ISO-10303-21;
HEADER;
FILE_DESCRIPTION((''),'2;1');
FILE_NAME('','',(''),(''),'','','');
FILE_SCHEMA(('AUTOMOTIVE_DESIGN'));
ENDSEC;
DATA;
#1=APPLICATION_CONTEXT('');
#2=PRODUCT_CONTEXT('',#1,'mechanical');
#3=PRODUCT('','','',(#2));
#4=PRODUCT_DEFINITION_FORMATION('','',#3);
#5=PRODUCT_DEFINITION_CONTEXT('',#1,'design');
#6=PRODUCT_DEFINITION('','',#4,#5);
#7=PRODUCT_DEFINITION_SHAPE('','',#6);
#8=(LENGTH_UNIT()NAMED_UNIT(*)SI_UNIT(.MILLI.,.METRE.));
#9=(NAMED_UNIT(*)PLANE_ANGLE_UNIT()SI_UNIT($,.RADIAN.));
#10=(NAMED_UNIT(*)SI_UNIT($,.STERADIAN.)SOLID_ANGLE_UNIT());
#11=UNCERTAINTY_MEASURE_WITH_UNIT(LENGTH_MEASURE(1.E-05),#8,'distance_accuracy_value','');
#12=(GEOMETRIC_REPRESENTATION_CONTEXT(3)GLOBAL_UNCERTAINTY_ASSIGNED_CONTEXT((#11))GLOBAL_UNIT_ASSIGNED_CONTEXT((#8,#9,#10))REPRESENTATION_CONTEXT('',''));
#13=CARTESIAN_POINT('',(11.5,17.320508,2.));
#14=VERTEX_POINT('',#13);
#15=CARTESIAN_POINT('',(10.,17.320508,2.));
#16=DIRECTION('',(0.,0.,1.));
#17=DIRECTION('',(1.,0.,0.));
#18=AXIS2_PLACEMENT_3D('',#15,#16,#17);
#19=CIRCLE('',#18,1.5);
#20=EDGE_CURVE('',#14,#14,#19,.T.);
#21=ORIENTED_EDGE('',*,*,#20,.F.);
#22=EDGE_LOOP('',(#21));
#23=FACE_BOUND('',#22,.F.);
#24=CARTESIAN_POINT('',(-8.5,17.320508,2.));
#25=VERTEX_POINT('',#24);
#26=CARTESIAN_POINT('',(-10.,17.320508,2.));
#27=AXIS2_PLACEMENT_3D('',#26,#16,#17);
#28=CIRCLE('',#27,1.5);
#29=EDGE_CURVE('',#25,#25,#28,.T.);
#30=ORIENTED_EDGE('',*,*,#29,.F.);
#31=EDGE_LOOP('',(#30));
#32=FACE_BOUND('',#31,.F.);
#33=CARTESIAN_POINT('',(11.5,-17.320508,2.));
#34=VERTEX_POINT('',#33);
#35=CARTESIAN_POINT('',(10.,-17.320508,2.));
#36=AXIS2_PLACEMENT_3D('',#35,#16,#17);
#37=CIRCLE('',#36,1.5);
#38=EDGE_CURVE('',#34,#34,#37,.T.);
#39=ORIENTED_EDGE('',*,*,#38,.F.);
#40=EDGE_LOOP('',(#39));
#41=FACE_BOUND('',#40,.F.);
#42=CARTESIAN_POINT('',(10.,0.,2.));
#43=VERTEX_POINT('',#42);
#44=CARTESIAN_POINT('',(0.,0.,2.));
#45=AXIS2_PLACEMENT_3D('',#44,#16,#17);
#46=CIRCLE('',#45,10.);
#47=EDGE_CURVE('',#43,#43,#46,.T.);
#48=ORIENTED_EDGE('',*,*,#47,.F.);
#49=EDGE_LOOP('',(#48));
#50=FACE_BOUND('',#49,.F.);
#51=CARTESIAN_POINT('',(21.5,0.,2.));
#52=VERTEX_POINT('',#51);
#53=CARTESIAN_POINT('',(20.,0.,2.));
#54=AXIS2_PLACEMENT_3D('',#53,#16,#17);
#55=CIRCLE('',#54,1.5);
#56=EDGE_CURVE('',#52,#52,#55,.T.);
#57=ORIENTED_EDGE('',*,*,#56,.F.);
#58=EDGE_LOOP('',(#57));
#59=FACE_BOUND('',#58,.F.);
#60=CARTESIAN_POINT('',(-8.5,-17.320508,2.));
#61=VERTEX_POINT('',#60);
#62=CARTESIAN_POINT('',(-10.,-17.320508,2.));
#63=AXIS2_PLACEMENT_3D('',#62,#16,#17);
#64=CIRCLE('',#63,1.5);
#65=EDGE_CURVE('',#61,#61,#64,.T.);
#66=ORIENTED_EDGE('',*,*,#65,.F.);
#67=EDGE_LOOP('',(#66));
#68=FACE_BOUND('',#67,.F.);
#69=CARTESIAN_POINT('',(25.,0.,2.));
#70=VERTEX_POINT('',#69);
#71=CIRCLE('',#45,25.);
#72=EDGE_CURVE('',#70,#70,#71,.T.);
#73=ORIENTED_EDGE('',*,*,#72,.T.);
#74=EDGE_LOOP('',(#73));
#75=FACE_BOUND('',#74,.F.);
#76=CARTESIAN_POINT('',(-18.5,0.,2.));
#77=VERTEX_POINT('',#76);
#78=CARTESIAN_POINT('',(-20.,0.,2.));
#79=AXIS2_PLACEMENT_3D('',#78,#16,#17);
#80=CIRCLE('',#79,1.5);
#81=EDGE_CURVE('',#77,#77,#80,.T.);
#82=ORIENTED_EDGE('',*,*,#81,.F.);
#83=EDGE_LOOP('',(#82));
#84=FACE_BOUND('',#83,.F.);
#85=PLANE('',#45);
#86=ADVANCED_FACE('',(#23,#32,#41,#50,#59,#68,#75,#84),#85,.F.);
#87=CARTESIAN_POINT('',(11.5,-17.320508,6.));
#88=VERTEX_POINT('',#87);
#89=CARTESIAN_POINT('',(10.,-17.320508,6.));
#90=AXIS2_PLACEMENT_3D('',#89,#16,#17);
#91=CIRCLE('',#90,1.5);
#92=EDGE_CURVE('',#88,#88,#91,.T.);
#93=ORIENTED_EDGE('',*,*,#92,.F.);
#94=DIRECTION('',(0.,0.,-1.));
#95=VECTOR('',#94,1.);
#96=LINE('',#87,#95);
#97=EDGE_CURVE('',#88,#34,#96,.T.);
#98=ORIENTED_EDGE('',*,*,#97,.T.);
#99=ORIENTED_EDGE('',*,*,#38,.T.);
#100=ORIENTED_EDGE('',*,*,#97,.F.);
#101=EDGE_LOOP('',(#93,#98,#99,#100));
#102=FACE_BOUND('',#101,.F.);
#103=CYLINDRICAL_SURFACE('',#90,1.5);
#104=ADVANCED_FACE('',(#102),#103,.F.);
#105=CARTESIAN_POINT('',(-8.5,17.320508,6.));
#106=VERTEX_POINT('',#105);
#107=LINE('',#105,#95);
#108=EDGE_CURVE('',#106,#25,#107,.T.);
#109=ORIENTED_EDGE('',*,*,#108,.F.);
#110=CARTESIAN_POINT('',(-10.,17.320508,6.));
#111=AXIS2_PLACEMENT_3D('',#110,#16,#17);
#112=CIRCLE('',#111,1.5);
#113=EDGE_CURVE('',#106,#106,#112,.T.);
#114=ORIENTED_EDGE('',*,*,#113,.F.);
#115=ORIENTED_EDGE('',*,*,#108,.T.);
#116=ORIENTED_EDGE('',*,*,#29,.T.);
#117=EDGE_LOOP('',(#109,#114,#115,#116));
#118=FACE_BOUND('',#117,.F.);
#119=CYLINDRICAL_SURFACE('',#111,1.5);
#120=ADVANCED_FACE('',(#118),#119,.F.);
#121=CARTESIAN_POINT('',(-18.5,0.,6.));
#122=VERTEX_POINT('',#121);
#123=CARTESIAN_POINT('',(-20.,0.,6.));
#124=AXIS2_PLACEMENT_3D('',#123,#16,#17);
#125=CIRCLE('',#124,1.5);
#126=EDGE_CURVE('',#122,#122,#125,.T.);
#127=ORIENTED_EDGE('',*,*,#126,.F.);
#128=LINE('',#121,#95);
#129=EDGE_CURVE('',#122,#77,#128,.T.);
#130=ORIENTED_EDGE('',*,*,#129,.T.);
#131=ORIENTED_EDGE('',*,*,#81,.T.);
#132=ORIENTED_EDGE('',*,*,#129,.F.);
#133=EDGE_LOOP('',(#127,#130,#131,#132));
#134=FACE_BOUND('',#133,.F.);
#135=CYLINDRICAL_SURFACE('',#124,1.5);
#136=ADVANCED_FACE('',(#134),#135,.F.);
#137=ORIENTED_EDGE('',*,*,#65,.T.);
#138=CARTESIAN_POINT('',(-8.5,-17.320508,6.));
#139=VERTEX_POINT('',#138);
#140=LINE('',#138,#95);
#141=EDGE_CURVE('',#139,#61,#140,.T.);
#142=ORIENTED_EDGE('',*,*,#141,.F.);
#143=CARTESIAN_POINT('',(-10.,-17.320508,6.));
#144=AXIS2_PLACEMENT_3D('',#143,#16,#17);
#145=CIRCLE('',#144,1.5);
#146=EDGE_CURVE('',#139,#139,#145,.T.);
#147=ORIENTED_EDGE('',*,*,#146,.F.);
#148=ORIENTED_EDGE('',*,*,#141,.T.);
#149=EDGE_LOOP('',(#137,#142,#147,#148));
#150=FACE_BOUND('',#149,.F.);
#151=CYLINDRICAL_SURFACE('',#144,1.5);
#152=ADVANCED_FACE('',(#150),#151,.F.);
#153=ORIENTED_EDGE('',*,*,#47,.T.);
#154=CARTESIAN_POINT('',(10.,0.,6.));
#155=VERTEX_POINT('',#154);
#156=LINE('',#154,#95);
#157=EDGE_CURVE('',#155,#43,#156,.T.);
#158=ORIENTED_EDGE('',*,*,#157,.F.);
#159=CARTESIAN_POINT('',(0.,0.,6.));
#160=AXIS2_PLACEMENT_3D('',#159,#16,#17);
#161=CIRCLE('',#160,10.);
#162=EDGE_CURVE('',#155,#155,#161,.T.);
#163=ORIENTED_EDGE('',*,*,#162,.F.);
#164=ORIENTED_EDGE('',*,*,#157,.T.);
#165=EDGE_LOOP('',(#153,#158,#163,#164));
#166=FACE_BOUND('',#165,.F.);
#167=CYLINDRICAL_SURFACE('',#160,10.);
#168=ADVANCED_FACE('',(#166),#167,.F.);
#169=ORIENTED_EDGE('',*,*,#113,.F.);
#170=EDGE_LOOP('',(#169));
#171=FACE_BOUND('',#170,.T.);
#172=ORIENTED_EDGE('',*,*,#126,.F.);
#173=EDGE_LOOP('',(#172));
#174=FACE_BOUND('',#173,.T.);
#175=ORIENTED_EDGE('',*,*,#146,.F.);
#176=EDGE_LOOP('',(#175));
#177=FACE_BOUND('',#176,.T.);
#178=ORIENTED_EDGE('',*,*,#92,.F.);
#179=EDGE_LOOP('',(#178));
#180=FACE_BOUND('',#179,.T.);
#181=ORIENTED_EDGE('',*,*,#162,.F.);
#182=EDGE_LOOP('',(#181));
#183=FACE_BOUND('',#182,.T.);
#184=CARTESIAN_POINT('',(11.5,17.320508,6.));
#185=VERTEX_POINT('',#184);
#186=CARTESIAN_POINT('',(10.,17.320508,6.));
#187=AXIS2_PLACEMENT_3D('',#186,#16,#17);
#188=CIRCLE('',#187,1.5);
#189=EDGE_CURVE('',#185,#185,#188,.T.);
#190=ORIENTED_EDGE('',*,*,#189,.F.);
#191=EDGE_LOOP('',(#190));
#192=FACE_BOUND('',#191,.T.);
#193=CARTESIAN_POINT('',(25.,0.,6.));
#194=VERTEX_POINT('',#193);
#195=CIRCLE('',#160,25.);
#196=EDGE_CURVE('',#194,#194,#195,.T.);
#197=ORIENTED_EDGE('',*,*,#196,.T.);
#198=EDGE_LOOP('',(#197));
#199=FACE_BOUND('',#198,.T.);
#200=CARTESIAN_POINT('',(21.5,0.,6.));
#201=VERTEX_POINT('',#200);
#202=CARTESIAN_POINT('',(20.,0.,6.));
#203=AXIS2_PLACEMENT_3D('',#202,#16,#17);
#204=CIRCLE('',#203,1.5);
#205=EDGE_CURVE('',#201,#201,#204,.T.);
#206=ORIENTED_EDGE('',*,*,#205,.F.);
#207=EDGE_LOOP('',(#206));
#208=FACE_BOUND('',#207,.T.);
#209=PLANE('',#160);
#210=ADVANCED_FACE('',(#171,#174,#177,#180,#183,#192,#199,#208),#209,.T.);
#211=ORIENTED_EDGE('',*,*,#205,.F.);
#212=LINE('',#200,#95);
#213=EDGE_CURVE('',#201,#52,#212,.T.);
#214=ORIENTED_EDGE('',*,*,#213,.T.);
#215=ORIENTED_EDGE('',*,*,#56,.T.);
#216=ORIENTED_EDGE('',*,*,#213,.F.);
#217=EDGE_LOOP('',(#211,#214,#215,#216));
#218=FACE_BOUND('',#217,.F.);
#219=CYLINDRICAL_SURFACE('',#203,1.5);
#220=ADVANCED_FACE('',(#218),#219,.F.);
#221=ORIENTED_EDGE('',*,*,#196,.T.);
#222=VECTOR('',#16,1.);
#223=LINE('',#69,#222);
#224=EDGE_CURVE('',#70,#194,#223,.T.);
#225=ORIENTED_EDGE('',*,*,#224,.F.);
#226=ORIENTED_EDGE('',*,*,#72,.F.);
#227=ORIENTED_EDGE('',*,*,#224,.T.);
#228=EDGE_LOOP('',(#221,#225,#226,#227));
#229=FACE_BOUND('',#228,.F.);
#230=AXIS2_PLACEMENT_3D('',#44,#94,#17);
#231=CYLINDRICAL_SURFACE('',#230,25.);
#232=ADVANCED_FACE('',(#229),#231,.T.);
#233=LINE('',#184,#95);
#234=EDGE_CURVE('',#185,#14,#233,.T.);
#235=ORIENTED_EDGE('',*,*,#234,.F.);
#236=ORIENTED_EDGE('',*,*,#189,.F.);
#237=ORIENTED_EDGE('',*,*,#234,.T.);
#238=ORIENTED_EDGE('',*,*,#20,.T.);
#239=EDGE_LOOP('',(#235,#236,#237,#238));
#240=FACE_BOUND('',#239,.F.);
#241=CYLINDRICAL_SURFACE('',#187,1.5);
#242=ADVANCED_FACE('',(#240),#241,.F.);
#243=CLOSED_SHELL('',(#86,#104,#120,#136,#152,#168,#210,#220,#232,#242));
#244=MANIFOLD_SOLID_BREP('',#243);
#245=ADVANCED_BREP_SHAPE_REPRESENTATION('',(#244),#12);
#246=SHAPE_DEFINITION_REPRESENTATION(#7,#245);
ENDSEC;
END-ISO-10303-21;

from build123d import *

# Parameters (mm, degrees)
CYLINDER_R      = 25
CYLINDER_DEPTH  = 4
SKETCH_R        = 1.5
POCKET_DEPTH    = 4.001
SKETCH001_R     = 10
POCKET001_DEPTH = 5


with BuildPart() as part:
    # Cylinder → Cylinder (new body)
    with BuildSketch(Plane.XY.offset(2)):
        Circle(CYLINDER_R)
    extrude(amount=CYLINDER_DEPTH)

    # Sketch → Pocket (cut, through all)
    with BuildSketch(Plane.XY.offset(6)):
        with Locations((20, 0)):
            Circle(SKETCH_R)
        with Locations((-10, 17.320508)):
            Circle(SKETCH_R)
        with Locations((-10, -17.320508)):
            Circle(SKETCH_R)
        with Locations((-20, 0)):
            Circle(SKETCH_R)
        with Locations((10, -17.320508)):
            Circle(SKETCH_R)
        with Locations((10, 17.320508)):
            Circle(SKETCH_R)
    extrude(amount=-POCKET_DEPTH, mode=Mode.SUBTRACT)

    # Sketch001 → Pocket001 (cut)
    with BuildSketch(Plane.XY.offset(6)):
        Circle(SKETCH001_R)
    extrude(amount=-POCKET001_DEPTH, mode=Mode.SUBTRACT)


solid = part.part
